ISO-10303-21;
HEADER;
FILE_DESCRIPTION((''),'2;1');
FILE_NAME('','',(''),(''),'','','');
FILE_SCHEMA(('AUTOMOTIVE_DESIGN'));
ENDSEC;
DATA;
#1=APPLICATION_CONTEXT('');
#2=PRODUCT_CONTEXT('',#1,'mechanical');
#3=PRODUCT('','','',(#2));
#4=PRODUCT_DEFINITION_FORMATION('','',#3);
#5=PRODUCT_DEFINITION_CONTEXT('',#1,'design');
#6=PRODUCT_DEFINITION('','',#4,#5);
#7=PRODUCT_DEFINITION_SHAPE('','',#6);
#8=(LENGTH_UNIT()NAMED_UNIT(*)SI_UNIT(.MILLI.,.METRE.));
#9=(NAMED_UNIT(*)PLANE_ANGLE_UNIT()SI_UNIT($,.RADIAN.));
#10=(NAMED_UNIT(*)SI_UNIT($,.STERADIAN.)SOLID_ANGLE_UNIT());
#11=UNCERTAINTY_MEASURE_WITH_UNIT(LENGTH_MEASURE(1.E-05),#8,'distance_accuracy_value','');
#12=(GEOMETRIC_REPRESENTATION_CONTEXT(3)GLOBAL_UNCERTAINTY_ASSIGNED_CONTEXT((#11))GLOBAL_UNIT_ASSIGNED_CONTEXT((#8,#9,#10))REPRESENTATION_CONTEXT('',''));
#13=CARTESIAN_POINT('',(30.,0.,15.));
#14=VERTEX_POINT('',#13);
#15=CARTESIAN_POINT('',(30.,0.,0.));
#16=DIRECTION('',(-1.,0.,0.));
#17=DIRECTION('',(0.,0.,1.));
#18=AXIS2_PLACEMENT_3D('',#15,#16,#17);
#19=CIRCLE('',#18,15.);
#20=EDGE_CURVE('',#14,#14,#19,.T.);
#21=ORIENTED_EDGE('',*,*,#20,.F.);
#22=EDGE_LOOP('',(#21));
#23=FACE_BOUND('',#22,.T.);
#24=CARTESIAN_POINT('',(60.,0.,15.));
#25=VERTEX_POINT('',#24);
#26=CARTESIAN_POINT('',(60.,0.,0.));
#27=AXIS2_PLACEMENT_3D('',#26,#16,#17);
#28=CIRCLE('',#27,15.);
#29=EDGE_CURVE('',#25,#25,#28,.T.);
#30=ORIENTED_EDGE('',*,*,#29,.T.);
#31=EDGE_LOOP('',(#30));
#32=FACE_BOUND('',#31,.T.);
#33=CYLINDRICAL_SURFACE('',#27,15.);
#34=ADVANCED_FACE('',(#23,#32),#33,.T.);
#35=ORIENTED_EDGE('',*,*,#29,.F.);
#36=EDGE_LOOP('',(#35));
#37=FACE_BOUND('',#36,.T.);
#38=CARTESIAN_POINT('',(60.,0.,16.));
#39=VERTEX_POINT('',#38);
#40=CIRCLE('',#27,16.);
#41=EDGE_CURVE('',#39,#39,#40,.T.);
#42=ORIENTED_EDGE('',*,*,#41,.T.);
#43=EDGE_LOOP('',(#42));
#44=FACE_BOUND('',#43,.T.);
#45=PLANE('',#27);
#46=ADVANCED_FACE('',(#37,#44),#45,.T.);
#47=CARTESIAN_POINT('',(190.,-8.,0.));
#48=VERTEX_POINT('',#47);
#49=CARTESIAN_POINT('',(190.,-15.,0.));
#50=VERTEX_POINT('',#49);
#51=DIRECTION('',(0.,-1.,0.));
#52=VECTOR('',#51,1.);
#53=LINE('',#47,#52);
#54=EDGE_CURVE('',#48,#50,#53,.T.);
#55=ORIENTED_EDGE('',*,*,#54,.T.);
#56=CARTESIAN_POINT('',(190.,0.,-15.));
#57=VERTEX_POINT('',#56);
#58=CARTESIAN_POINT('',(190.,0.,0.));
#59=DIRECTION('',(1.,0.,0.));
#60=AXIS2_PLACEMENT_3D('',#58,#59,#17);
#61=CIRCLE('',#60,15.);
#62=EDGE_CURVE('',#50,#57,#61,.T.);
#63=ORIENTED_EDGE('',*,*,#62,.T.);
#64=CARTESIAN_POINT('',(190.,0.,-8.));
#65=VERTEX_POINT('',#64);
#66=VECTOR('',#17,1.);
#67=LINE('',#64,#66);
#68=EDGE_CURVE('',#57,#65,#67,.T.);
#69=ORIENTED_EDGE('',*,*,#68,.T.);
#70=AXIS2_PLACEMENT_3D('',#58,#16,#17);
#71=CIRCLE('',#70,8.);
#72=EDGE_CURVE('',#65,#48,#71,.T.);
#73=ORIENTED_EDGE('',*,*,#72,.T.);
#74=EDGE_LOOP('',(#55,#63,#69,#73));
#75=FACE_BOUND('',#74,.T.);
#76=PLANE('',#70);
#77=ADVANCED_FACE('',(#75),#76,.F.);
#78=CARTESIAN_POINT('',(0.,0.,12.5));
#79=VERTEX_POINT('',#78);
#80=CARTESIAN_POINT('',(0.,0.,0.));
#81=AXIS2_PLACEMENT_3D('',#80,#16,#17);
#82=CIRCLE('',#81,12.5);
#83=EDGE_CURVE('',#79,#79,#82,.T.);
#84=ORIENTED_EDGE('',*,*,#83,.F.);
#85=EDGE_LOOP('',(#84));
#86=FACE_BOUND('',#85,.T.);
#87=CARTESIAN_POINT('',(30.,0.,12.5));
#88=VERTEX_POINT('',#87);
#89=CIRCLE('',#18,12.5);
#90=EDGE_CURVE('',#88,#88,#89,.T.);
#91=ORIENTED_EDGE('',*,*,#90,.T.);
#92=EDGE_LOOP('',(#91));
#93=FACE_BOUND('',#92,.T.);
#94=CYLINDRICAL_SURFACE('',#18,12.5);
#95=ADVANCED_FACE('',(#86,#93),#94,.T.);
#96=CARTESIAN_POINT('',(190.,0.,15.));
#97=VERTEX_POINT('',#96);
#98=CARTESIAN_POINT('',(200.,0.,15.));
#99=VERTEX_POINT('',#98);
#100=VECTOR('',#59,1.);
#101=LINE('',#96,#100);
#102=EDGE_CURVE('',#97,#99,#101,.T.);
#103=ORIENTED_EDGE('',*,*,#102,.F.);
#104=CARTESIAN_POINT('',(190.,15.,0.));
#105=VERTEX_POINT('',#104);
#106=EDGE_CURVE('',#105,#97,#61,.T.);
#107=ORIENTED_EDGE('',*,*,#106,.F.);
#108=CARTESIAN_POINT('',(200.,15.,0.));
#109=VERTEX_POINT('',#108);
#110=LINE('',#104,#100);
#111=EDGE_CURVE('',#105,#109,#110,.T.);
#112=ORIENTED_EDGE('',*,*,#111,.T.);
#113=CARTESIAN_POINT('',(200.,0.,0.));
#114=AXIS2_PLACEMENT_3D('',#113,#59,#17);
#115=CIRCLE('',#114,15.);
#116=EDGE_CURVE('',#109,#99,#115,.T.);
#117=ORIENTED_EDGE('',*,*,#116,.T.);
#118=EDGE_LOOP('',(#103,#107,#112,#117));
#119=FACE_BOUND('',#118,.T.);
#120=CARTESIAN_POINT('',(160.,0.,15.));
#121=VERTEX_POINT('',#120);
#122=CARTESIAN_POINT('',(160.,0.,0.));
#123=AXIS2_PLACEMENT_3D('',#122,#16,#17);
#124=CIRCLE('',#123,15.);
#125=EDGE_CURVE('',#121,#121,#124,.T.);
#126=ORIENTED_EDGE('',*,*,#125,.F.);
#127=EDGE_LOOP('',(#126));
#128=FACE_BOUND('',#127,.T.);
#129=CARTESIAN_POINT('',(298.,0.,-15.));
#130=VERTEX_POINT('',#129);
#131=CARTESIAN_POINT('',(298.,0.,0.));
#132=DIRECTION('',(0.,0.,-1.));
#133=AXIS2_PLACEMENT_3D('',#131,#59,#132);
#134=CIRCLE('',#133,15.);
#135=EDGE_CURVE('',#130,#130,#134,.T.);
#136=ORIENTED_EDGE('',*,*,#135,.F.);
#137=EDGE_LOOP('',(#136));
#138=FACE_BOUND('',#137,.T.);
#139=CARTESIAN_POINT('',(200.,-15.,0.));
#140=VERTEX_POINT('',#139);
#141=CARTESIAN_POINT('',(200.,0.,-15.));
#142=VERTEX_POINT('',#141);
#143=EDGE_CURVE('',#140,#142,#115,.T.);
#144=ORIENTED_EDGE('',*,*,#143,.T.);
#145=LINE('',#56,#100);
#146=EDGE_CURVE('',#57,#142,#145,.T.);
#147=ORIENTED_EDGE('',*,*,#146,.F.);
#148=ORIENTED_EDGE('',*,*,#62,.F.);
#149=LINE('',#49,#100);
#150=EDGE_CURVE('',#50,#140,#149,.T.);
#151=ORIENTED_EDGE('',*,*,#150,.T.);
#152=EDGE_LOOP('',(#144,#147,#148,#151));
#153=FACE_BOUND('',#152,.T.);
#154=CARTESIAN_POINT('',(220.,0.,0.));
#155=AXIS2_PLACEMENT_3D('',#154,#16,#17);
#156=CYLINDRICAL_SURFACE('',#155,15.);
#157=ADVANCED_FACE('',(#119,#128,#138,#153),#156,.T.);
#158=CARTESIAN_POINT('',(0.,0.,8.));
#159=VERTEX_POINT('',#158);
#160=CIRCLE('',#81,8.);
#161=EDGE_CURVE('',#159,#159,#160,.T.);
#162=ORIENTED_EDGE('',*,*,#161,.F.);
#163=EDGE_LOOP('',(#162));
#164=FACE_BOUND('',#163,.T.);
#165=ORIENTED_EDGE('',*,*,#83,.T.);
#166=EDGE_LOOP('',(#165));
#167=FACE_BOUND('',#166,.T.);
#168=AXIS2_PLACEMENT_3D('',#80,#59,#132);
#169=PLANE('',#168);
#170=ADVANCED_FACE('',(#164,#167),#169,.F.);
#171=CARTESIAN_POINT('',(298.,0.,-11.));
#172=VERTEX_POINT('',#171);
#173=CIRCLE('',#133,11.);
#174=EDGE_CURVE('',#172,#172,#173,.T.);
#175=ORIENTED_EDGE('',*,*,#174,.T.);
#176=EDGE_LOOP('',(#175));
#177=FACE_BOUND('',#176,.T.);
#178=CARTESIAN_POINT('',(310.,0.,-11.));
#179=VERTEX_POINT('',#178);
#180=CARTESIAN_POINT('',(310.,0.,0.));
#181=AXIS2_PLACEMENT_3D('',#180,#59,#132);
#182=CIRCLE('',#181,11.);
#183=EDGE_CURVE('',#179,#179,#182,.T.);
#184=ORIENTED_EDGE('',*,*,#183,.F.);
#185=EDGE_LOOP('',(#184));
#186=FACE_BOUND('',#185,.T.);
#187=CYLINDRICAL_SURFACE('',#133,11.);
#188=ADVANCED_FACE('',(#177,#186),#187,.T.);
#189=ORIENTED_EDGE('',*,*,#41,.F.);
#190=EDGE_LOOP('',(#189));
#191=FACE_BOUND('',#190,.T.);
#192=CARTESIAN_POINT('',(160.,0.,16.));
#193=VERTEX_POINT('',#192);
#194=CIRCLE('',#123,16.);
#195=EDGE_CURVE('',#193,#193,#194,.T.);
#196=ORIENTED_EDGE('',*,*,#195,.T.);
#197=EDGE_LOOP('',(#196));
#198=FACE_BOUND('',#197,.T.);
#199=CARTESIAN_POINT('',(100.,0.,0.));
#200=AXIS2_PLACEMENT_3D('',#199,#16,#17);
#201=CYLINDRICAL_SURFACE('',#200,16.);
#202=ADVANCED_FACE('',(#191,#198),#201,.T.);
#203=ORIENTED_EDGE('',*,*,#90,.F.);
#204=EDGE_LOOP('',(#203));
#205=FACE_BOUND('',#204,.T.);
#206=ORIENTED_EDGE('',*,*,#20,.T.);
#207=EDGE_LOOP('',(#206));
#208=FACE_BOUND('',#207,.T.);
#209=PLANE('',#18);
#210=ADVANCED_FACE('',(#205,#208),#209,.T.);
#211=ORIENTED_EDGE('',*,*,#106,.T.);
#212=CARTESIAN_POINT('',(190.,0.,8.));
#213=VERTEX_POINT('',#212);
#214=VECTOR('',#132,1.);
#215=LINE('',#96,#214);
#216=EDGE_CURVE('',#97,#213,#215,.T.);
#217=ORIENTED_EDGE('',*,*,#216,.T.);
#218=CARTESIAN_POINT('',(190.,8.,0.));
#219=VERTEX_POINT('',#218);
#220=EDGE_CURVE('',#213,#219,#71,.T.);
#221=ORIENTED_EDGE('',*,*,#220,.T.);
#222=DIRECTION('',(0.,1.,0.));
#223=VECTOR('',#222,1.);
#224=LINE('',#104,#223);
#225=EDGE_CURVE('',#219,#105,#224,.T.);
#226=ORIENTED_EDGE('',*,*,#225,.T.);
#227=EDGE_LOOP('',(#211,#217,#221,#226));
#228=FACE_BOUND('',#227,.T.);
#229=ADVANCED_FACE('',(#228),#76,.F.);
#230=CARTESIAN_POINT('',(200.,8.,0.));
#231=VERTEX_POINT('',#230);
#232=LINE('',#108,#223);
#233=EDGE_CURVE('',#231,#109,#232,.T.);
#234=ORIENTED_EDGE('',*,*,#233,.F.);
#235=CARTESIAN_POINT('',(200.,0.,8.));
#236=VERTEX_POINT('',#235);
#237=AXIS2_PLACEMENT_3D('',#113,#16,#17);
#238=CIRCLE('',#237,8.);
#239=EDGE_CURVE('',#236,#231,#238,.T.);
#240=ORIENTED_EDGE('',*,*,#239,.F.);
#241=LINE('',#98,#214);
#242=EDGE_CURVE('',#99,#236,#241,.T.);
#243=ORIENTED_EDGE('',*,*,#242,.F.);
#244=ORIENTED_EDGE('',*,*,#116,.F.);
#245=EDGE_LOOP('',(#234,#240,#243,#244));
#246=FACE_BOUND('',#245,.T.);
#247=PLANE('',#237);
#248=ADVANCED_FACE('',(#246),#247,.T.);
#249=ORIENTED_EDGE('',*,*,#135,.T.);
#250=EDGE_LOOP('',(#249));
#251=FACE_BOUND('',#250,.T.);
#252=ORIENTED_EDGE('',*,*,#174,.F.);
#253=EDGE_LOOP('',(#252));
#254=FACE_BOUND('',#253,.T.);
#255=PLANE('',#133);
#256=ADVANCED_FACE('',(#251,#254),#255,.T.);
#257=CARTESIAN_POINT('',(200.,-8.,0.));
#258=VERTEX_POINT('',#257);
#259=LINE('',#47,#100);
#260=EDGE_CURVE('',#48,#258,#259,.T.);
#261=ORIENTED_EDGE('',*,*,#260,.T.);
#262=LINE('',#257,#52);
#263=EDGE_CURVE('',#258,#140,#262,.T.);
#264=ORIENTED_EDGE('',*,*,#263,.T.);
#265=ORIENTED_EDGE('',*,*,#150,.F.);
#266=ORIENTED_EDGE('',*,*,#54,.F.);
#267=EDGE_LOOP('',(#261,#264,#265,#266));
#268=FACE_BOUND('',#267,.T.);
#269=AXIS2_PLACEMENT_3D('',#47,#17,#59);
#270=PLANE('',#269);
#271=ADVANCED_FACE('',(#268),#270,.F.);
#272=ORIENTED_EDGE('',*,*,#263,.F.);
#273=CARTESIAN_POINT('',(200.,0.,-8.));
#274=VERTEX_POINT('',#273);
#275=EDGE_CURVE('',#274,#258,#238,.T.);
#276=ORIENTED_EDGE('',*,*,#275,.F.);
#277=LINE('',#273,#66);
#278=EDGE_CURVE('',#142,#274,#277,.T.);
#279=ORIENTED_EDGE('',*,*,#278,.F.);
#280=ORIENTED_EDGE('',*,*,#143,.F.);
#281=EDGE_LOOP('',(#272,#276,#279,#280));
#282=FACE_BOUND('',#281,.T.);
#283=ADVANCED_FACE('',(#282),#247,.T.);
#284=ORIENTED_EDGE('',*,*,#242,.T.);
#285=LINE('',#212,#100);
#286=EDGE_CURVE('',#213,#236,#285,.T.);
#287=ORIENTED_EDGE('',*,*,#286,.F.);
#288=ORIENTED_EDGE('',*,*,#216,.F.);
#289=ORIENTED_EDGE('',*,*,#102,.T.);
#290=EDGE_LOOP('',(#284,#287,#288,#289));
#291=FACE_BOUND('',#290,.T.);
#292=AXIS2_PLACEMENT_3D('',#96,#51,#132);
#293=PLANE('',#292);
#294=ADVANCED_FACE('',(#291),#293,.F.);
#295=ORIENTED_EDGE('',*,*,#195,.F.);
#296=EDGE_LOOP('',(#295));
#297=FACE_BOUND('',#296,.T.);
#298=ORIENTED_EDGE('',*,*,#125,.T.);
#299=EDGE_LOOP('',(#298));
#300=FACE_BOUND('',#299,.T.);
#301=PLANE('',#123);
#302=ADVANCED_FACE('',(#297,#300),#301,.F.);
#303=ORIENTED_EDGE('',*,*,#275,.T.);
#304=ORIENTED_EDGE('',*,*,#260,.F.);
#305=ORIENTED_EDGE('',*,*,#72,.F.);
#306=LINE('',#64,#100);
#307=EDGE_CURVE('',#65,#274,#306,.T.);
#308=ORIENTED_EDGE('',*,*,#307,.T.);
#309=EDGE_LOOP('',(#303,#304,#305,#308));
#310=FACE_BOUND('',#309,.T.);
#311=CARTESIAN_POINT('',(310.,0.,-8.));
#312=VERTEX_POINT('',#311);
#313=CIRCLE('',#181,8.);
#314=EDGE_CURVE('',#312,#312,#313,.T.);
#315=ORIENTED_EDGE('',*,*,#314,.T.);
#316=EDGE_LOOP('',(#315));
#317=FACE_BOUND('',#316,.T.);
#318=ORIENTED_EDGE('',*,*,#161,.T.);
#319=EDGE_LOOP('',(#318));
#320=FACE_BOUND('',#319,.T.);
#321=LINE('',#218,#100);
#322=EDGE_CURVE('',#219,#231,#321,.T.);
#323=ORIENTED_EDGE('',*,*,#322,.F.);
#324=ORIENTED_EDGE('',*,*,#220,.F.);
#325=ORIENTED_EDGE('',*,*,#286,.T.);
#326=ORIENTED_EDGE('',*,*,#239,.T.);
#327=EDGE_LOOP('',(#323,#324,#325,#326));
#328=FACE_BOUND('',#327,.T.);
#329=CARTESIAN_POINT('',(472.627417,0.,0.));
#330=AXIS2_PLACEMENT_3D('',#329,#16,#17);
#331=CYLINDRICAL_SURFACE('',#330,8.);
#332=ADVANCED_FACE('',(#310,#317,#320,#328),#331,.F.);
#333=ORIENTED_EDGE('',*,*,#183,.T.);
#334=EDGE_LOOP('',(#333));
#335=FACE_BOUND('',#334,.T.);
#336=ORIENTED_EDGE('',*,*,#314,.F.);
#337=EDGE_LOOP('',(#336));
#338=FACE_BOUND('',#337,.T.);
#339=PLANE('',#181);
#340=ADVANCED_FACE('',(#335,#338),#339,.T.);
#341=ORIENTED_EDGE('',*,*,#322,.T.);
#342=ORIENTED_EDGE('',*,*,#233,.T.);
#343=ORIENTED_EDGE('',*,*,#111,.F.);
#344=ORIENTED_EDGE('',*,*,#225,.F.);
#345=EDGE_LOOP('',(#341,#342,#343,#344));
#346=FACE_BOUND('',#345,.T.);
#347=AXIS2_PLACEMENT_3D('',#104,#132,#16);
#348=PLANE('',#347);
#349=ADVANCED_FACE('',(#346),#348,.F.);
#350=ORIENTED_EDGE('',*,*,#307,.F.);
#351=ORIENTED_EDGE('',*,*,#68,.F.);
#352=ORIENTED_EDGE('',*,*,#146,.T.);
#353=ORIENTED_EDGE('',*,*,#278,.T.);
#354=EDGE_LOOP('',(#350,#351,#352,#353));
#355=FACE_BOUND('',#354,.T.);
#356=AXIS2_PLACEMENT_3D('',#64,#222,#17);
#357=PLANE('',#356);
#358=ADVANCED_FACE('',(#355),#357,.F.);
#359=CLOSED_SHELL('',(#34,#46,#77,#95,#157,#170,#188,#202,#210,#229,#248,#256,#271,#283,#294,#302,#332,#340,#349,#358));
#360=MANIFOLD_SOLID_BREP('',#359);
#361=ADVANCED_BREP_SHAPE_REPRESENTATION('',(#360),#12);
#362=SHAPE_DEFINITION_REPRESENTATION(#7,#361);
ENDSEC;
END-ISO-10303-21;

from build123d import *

# Parameters (mm, degrees)
SKETCH_1_R           = 16
EXTRUDE_1_DEPTH      = 100
EXTRUDE_START        = -18
SKETCH_2_R           = 16
EXTRUDE_2_DEPTH      = 18
SKETCH_3_R           = 16
EXTRUDE_3_DEPTH      = 132
SKETCH_4_R           = 16
EXTRUDE_4_DEPTH      = 18
SKETCH_5_R           = 16
EXTRUDE_5_DEPTH      = 50
SKETCH_6_R           = 16
EXTRUDE_6_DEPTH      = 80
SKETCH_7_R           = 16
EXTRUDE_7_DEPTH      = 50
SKETCH_9_R           = 8
EXTRUDE_8_DEPTH      = 20
SKETCH_13_R          = 8
CUT_EXTRUDE_5_DEPTH  = 450
SKETCH_14_R          = 16
SKETCH_14_R_2        = 12.5
CUT_EXTRUDE_6_DEPTH  = 30
SKETCH_16_R          = 16
SKETCH_16_R_2        = 15
CUT_EXTRUDE_8_DEPTH  = 30
SKETCH_17_R          = 16
SKETCH_17_R_2        = 15
CUT_EXTRUDE_9_DEPTH  = 60
CUT_EXTRUDE_START    = -200
SKETCH_18_R          = 16
CUT_EXTRUDE_10_DEPTH = 200
CUT_EXTRUDE_START_2  = -20
SKETCH_19_R          = 16
SKETCH_19_R_2        = 8
CUT_EXTRUDE_11_DEPTH = 20
SKETCH_20_R          = 15
SKETCH_20_R_2        = 8
EXTRUDE_9_DEPTH      = 100
CUT_EXTRUDE_START_3  = -10
CUT_EXTRUDE_12_DEPTH = 10
CUT_EXTRUDE_START_4  = -12
SKETCH_22_R          = 15
SKETCH_22_R_2        = 11
CUT_EXTRUDE_13_DEPTH = 12


with BuildPart() as part:
    # 草图1 → 凸台-拉伸1 (new body)
    with BuildSketch(Plane(origin=(0, 0, 0), x_dir=(0, 0, -1), z_dir=(1, 0, 0))):
        Circle(SKETCH_1_R)
    extrude(amount=EXTRUDE_1_DEPTH)

    # 草图2 → 凸台-拉伸2 (add)
    with BuildSketch(Plane(origin=(100, 0, 0), x_dir=(0, 0, -1), z_dir=(1, 0, 0)).offset(EXTRUDE_START)):
        Circle(SKETCH_2_R)
    extrude(amount=EXTRUDE_2_DEPTH)

    # 草图3 → 凸台-拉伸3 (add)
    with BuildSketch(Plane(origin=(100, 0, 0), x_dir=(0, 0, -1), z_dir=(1, 0, 0))):
        Circle(SKETCH_3_R)
    extrude(amount=EXTRUDE_3_DEPTH)

    # 草图4 → 凸台-拉伸4 (add)
    with BuildSketch(Plane(origin=(232, 0, 0), x_dir=(0, 0, -1), z_dir=(1, 0, 0))):
        Circle(SKETCH_4_R)
    extrude(amount=EXTRUDE_4_DEPTH)

    # 草图5 → 凸台-拉伸5 (add)
    with BuildSketch(Plane(origin=(250, 0, 0), x_dir=(0, 0, -1), z_dir=(1, 0, 0))):
        Circle(SKETCH_5_R)
    extrude(amount=EXTRUDE_5_DEPTH)

    # 草图6 → 凸台-拉伸6 (add)
    with BuildSketch(Plane(origin=(300, 0, 0), x_dir=(0, 0, -1), z_dir=(1, 0, 0))):
        Circle(SKETCH_6_R)
    extrude(amount=EXTRUDE_6_DEPTH)

    # 草图7 → 凸台-拉伸7 (add)
    with BuildSketch(Plane(origin=(380, 0, 0), x_dir=(0, 0, -1), z_dir=(1, 0, 0))):
        Circle(SKETCH_7_R)
    extrude(amount=EXTRUDE_7_DEPTH)

    # 草图9 → 凸台-拉伸8 (add)
    with BuildSketch(Plane(origin=(430, 0, 0), x_dir=(0, 0, -1), z_dir=(1, 0, 0))):
        Circle(SKETCH_9_R)
    extrude(amount=EXTRUDE_8_DEPTH)

    # 草图13 → 切除-拉伸5 (cut)
    with BuildSketch(Plane.ZY):
        Circle(SKETCH_13_R)
    extrude(amount=-CUT_EXTRUDE_5_DEPTH, mode=Mode.SUBTRACT)

    # 草图14 → 切除-拉伸6 (cut)
    with BuildSketch(Plane.ZY):
        Circle(SKETCH_14_R)
        Circle(SKETCH_14_R_2, mode=Mode.SUBTRACT)
    extrude(amount=-CUT_EXTRUDE_6_DEPTH, mode=Mode.SUBTRACT)

    # 草图16 → 切除-拉伸8 (cut)
    with BuildSketch(Plane.ZY.offset(-30)):
        Circle(SKETCH_16_R)
        Circle(SKETCH_16_R_2, mode=Mode.SUBTRACT)
    extrude(amount=-CUT_EXTRUDE_8_DEPTH, mode=Mode.SUBTRACT)

    # 草图17 → 切除-拉伸9 (cut)
    with BuildSketch(Plane.ZY.offset(-160)):
        Circle(SKETCH_17_R)
        Circle(SKETCH_17_R_2, mode=Mode.SUBTRACT)
    extrude(amount=-CUT_EXTRUDE_9_DEPTH, mode=Mode.SUBTRACT)

    # 草图18 → 切除-拉伸10 (cut)
    with BuildSketch(Plane(origin=(430, 0, 0), x_dir=(0, 0, -1), z_dir=(1, 0, 0)).offset(CUT_EXTRUDE_START)):
        with Locations(Location((0, 0, 0), (0, 0, 180))):
            Circle(SKETCH_18_R)
    extrude(amount=CUT_EXTRUDE_10_DEPTH, mode=Mode.SUBTRACT)

    # 草图19 → 切除-拉伸11 (cut)
    with BuildSketch(Plane(origin=(230, 0, 0), x_dir=(0, 0, -1), z_dir=(1, 0, 0)).offset(CUT_EXTRUDE_START_2)):
        with Locations(Location((0, 0, 0), (0, 0, 180))):
            Circle(SKETCH_19_R)
        with Locations(Location((0, 0, 0), (0, 0, 180))):
            Circle(SKETCH_19_R_2, mode=Mode.SUBTRACT)
    extrude(amount=CUT_EXTRUDE_11_DEPTH, mode=Mode.SUBTRACT)

    # 草图20 → 凸台-拉伸9 (add)
    with BuildSketch(Plane(origin=(210, 0, 0), x_dir=(0, 0, -1), z_dir=(1, 0, 0))):
        with Locations(Location((0, 0, 0), (0, 0, 180))):
            Circle(SKETCH_20_R)
        with Locations(Location((0, 0, 0), (0, 0, 180))):
            Circle(SKETCH_20_R_2, mode=Mode.SUBTRACT)
    extrude(amount=EXTRUDE_9_DEPTH)

    # 草图21 → 切除-拉伸12 (cut)
    with BuildSketch(Plane(origin=(200, 0, 0), x_dir=(0, 0, -1), z_dir=(1, 0, 0)).offset(CUT_EXTRUDE_START_3)):
        with BuildLine():
            Line((-15, 0), (-8, 0))
            ThreePointArc((-8, 0), (-5.656854249, 5.656854249), (0, 8))
            Line((0, 8), (0, 15))
            ThreePointArc((0, 15), (-10.606601718, 10.606601718), (-15, 0))
        make_face()
        with BuildLine():
            Line((8, 0), (15, 0))
            ThreePointArc((15, 0), (10.606601718, -10.606601718), (0, -15))
            Line((0, -15), (0, -8))
            ThreePointArc((0, -8), (5.656854249, -5.656854249), (8, 0))
        make_face()
    extrude(amount=CUT_EXTRUDE_12_DEPTH, mode=Mode.SUBTRACT)

    # 草图22 → 切除-拉伸13 (cut)
    with BuildSketch(Plane(origin=(310, 0, 0), x_dir=(0, 0, -1), z_dir=(1, 0, 0)).offset(CUT_EXTRUDE_START_4)):
        with Locations(Location((0, 0, 0), (0, 0, 180))):
            Circle(SKETCH_22_R)
        Circle(SKETCH_22_R_2, mode=Mode.SUBTRACT)
    extrude(amount=CUT_EXTRUDE_13_DEPTH, mode=Mode.SUBTRACT)


solid = part.part
